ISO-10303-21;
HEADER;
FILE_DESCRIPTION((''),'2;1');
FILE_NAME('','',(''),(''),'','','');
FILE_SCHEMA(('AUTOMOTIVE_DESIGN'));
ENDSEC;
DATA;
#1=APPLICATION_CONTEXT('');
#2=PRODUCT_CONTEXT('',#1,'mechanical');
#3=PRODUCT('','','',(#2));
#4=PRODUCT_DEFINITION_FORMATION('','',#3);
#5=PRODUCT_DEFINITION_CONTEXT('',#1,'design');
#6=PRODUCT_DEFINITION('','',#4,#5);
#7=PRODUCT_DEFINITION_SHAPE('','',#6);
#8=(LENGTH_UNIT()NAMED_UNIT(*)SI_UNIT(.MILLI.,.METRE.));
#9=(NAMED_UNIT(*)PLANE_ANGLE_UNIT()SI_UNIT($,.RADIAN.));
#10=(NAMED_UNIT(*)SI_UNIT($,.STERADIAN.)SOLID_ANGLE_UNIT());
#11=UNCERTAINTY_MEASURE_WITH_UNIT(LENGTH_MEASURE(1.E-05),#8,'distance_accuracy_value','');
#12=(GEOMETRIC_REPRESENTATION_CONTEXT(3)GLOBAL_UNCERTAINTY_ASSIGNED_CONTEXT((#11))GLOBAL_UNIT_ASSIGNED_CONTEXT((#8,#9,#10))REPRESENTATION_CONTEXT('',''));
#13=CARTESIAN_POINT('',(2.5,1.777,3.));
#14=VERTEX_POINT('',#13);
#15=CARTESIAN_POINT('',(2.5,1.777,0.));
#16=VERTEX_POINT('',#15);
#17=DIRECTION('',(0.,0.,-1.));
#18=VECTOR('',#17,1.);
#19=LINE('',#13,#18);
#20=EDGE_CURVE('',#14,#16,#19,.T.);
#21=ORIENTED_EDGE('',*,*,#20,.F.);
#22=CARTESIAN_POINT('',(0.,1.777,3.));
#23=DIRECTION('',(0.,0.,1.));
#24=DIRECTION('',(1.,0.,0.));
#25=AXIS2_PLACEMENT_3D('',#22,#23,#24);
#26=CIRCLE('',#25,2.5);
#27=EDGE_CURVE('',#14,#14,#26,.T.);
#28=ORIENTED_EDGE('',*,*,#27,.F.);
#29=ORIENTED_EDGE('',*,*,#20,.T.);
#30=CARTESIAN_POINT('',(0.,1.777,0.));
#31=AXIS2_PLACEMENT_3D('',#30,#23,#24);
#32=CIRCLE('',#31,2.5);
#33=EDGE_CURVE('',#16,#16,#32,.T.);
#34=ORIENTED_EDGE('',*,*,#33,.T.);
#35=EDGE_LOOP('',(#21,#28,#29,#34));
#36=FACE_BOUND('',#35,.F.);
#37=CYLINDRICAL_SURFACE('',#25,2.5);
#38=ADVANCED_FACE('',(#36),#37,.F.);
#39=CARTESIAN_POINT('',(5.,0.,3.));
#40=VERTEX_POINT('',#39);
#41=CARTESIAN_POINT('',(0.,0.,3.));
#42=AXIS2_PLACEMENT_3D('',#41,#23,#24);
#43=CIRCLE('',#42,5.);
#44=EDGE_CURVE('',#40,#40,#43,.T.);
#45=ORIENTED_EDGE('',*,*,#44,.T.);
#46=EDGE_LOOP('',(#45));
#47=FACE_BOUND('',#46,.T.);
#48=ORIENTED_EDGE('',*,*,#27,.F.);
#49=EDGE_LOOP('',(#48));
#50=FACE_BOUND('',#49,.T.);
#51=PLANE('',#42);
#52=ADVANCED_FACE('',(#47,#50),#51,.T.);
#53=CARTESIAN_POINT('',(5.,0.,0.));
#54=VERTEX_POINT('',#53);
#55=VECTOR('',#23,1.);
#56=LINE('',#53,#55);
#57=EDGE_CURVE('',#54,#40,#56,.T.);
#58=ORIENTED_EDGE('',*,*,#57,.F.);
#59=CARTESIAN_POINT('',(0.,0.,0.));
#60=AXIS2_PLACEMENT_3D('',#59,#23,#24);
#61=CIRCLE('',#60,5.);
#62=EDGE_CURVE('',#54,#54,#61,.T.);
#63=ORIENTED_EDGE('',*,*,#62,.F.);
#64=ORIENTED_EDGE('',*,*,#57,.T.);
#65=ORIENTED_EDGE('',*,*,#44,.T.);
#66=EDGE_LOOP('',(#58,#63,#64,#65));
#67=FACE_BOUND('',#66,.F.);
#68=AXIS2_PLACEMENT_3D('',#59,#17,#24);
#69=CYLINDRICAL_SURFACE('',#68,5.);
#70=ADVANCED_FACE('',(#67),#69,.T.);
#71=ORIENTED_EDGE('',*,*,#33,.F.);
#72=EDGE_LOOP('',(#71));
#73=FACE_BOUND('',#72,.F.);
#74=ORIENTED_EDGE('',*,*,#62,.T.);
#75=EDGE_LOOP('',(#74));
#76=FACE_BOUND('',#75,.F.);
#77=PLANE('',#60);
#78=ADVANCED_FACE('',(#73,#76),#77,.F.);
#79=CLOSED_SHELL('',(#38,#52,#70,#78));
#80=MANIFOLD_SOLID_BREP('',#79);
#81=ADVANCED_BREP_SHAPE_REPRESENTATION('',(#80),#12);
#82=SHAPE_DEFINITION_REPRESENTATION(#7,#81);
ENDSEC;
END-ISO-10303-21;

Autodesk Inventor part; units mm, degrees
ref_plane "YZ Plane" through (0, 0, 0) normal (1, 0, 0) x (0, 1, 0)
ref_plane "XZ Plane" through (0, 0, 0) normal (0, 1, 0) x (-1, 0, 0)
ref_plane "XY Plane" through (0, 0, 0) normal (0, 0, 1) x (1, 0, 0)
sketch "Sketch1" plane through (0, 0, 0) normal (0, 0, 1) x (1, 0, 0)
  circle A0 centre (0, 0) radius 5
  dimension "d0" = 10
extrude "Extrusion1" add sketch "Sketch1" along normal blind 3
sketch "Sketch2" plane through (0, 0, 3) normal (0, 0, 1) x (1, 0, 0)
  circle A0 centre (0, 1.777) radius 2.5
  point P0 (0, 0)
  dimension "d3" = 5
extrude "Extrusion2" cut sketch "Sketch2" against normal blind 3
properties part number "inner wheel of mouth"
